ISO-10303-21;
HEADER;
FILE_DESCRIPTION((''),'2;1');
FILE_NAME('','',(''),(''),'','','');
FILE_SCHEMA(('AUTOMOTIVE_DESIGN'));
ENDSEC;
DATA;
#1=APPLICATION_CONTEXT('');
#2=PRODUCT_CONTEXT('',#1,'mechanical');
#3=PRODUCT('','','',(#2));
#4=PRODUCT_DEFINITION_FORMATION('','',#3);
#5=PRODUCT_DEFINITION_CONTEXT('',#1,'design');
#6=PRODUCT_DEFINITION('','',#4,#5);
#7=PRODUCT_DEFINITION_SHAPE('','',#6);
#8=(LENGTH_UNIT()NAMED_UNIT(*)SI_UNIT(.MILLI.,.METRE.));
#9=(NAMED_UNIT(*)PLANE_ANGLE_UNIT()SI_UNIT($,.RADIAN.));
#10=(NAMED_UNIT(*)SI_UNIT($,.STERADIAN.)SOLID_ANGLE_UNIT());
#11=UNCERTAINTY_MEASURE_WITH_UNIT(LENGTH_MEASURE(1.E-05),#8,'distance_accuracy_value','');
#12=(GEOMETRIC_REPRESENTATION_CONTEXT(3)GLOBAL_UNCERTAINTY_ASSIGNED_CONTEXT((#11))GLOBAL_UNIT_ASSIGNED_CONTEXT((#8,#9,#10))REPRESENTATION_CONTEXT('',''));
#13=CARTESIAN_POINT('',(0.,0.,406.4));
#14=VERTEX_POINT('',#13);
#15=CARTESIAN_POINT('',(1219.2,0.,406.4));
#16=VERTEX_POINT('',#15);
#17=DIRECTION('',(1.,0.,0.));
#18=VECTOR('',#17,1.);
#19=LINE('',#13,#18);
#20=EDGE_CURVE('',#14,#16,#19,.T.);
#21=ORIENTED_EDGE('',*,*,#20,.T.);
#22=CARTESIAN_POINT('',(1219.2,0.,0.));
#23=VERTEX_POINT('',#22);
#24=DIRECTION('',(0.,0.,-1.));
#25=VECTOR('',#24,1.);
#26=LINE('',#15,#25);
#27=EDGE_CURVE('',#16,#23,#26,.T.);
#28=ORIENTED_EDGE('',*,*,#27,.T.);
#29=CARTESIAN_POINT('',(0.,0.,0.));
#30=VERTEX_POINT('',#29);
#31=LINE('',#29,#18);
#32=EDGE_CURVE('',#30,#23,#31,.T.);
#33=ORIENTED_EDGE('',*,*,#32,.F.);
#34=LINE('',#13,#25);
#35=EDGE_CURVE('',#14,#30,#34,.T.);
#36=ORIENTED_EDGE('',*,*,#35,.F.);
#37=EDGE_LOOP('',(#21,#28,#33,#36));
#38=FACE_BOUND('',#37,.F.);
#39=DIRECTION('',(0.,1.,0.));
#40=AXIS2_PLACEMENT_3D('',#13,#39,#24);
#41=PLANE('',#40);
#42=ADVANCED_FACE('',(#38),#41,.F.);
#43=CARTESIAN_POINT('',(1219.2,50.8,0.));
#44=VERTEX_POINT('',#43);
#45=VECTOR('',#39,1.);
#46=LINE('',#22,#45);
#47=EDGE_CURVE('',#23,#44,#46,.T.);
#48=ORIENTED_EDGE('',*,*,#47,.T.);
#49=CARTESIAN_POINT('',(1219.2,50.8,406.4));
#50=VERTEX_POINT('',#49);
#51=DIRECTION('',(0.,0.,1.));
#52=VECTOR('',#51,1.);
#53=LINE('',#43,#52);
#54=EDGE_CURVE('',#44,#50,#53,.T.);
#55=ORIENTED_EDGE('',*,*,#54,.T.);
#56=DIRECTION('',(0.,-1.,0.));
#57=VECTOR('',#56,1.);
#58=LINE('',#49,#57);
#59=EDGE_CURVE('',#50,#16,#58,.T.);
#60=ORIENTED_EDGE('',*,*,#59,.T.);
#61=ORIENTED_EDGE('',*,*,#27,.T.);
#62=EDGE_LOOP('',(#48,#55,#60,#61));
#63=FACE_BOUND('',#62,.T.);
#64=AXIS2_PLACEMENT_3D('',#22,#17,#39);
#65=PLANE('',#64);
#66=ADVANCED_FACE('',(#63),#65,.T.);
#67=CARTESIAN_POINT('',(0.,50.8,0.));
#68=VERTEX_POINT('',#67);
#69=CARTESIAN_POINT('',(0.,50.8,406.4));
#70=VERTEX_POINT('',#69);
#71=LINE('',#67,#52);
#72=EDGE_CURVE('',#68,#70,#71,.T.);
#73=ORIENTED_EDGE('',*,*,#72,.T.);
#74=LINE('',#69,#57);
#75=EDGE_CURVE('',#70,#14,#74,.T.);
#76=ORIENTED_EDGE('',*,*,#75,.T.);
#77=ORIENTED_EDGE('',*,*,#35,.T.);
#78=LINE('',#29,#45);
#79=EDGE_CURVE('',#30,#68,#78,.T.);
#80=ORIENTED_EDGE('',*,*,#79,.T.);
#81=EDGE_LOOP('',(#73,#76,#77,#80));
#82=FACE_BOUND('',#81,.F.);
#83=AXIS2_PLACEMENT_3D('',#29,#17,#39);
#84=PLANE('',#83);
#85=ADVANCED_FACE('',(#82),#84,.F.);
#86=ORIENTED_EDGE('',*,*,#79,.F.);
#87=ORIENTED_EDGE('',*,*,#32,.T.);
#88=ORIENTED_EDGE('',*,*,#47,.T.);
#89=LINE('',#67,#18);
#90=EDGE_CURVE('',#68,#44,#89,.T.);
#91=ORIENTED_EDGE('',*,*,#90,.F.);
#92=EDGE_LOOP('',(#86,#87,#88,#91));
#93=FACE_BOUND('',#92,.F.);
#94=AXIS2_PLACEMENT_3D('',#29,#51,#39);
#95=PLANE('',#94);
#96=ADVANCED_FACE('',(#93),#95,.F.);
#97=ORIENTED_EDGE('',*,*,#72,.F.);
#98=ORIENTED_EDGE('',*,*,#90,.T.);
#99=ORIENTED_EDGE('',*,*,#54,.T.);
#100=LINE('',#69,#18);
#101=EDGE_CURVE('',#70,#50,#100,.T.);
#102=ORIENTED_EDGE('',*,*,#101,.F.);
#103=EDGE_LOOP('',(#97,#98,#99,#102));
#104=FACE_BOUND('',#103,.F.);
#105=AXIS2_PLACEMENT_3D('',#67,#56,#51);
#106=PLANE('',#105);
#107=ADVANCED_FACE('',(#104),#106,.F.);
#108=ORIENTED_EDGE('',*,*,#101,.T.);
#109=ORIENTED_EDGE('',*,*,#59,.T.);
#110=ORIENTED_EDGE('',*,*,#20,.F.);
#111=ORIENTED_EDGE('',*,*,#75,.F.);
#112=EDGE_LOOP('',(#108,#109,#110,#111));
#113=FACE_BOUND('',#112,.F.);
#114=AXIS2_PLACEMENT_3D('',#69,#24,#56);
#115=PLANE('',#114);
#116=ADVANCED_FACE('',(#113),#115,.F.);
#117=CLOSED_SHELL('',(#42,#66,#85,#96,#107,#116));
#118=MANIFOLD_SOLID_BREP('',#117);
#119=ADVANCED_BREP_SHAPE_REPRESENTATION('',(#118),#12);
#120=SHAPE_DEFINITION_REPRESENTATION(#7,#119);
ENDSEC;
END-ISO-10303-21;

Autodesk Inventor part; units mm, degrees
ref_plane "YZ Plane" through (0, 0, 0) normal (1, 0, 0) x (0, 1, 0)
ref_plane "XZ Plane" through (0, 0, 0) normal (0, 1, 0) x (-1, 0, 0)
ref_plane "XY Plane" through (0, 0, 0) normal (0, 0, 1) x (1, 0, 0)
sketch "Sketch1" plane through (0, 0, 0) normal (1, 0, 0) x (0, 1, 0)
  line L0 (0, 0) -> (50.8, 0)
  line L1 (50.8, 0) -> (50.8, 406.4)
  line L2 (50.8, 406.4) -> (0, 406.4)
  line L3 (0, 406.4) -> (0, 0)
  dimension "d0" = 50.8
  dimension "d1" = 406.4
extrude "Extrusion1" add sketch "Sketch1" along normal blind 1219.2
properties part number "2x16x48-5" material "Granite, Cut, Polished"
